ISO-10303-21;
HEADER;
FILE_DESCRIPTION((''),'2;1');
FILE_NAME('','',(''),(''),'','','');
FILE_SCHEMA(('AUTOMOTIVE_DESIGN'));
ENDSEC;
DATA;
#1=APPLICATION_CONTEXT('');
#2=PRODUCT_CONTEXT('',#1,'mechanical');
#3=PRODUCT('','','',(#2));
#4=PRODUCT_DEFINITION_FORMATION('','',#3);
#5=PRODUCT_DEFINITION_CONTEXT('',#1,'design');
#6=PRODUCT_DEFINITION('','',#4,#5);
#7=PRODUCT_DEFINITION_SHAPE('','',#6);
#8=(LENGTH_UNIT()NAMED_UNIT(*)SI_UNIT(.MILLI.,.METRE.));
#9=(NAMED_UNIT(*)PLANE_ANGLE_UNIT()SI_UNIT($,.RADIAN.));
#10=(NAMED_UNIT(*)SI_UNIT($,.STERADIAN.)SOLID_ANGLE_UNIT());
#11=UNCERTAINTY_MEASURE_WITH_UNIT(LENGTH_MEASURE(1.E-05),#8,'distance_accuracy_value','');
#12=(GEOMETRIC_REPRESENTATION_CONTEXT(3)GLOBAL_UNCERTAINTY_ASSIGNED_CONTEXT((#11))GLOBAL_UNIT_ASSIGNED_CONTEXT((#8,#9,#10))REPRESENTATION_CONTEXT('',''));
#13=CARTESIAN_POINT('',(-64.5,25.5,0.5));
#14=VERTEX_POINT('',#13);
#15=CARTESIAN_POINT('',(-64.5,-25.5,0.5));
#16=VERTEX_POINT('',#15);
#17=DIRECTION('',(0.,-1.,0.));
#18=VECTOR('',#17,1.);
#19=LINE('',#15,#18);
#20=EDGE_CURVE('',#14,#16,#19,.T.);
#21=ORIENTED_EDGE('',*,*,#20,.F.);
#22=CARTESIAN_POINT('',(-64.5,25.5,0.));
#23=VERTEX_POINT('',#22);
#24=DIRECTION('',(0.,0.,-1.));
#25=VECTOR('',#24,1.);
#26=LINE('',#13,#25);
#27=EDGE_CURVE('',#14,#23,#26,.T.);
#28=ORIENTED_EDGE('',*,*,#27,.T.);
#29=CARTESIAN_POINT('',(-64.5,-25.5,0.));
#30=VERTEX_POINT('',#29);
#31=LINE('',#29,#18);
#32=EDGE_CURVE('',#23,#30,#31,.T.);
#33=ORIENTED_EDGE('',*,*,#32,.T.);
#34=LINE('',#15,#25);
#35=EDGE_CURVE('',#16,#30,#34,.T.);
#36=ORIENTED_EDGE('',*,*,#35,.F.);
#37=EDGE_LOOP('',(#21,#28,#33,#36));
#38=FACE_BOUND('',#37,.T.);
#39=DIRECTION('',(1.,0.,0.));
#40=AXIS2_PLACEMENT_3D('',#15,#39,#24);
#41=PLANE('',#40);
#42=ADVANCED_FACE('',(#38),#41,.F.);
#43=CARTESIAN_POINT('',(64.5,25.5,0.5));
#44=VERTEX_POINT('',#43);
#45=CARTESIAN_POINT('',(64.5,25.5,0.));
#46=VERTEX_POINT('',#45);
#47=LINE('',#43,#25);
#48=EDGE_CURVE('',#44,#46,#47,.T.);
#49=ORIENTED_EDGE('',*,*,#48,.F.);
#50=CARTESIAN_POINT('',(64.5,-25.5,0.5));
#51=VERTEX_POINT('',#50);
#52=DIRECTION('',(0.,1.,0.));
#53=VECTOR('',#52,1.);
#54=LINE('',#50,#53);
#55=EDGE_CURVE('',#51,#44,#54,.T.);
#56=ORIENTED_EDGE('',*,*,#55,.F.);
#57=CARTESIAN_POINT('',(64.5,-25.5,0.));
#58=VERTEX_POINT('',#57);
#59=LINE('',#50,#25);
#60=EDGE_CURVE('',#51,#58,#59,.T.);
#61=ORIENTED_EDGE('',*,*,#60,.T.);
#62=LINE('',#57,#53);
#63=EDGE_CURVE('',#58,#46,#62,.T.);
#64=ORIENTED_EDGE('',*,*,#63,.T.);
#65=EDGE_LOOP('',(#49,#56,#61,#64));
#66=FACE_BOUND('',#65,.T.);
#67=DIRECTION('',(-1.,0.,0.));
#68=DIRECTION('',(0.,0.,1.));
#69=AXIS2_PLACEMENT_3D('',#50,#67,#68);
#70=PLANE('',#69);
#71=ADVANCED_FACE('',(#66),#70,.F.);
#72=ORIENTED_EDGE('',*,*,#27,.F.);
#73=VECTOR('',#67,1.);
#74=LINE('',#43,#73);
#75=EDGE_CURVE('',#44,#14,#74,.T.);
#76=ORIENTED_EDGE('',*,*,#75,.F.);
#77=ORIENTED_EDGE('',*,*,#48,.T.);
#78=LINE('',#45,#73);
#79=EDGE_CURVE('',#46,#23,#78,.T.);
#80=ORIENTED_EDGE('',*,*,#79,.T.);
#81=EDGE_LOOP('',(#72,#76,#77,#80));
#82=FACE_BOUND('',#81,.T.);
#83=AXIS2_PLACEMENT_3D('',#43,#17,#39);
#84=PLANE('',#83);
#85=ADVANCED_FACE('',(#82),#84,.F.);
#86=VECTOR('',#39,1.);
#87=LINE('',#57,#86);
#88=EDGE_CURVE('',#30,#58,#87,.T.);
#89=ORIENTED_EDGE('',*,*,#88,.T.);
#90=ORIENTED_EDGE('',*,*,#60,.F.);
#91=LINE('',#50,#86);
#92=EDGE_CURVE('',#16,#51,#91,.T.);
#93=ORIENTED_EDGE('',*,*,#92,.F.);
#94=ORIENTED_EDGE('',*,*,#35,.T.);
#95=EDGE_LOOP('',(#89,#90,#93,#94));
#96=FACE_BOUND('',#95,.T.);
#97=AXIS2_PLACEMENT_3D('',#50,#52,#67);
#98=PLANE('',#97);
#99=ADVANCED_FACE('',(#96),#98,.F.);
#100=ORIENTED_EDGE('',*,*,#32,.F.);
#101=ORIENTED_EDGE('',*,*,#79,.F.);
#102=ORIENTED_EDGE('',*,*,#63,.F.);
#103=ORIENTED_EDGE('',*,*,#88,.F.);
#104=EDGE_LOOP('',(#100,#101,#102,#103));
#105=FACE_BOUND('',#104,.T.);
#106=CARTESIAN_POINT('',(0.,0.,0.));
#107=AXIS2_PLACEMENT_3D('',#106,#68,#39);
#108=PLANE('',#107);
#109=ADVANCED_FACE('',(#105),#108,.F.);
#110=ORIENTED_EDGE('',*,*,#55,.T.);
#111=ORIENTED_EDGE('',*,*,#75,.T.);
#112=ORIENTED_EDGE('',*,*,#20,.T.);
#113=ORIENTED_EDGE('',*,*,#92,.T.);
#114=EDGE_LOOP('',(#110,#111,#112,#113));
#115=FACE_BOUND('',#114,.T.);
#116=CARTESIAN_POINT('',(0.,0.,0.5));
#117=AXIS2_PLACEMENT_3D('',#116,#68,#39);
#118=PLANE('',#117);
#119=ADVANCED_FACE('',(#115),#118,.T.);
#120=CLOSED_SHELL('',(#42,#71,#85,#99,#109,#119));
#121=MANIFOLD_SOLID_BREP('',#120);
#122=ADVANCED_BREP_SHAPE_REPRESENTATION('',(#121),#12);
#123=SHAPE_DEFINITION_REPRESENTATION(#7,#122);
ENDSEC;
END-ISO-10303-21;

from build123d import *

# Parameters (mm, degrees)
SKETCH_1_W      = 129
SKETCH_1_H      = 51
EXTRUDE_1_DEPTH = 0.5


with BuildPart() as part:
    # ｽｹｯﾁ1 → ﾎﾞｽ - 押し出し1 (new body)
    with BuildSketch(Plane.XY):
        Rectangle(SKETCH_1_W, SKETCH_1_H)
    extrude(amount=EXTRUDE_1_DEPTH)


solid = part.part
